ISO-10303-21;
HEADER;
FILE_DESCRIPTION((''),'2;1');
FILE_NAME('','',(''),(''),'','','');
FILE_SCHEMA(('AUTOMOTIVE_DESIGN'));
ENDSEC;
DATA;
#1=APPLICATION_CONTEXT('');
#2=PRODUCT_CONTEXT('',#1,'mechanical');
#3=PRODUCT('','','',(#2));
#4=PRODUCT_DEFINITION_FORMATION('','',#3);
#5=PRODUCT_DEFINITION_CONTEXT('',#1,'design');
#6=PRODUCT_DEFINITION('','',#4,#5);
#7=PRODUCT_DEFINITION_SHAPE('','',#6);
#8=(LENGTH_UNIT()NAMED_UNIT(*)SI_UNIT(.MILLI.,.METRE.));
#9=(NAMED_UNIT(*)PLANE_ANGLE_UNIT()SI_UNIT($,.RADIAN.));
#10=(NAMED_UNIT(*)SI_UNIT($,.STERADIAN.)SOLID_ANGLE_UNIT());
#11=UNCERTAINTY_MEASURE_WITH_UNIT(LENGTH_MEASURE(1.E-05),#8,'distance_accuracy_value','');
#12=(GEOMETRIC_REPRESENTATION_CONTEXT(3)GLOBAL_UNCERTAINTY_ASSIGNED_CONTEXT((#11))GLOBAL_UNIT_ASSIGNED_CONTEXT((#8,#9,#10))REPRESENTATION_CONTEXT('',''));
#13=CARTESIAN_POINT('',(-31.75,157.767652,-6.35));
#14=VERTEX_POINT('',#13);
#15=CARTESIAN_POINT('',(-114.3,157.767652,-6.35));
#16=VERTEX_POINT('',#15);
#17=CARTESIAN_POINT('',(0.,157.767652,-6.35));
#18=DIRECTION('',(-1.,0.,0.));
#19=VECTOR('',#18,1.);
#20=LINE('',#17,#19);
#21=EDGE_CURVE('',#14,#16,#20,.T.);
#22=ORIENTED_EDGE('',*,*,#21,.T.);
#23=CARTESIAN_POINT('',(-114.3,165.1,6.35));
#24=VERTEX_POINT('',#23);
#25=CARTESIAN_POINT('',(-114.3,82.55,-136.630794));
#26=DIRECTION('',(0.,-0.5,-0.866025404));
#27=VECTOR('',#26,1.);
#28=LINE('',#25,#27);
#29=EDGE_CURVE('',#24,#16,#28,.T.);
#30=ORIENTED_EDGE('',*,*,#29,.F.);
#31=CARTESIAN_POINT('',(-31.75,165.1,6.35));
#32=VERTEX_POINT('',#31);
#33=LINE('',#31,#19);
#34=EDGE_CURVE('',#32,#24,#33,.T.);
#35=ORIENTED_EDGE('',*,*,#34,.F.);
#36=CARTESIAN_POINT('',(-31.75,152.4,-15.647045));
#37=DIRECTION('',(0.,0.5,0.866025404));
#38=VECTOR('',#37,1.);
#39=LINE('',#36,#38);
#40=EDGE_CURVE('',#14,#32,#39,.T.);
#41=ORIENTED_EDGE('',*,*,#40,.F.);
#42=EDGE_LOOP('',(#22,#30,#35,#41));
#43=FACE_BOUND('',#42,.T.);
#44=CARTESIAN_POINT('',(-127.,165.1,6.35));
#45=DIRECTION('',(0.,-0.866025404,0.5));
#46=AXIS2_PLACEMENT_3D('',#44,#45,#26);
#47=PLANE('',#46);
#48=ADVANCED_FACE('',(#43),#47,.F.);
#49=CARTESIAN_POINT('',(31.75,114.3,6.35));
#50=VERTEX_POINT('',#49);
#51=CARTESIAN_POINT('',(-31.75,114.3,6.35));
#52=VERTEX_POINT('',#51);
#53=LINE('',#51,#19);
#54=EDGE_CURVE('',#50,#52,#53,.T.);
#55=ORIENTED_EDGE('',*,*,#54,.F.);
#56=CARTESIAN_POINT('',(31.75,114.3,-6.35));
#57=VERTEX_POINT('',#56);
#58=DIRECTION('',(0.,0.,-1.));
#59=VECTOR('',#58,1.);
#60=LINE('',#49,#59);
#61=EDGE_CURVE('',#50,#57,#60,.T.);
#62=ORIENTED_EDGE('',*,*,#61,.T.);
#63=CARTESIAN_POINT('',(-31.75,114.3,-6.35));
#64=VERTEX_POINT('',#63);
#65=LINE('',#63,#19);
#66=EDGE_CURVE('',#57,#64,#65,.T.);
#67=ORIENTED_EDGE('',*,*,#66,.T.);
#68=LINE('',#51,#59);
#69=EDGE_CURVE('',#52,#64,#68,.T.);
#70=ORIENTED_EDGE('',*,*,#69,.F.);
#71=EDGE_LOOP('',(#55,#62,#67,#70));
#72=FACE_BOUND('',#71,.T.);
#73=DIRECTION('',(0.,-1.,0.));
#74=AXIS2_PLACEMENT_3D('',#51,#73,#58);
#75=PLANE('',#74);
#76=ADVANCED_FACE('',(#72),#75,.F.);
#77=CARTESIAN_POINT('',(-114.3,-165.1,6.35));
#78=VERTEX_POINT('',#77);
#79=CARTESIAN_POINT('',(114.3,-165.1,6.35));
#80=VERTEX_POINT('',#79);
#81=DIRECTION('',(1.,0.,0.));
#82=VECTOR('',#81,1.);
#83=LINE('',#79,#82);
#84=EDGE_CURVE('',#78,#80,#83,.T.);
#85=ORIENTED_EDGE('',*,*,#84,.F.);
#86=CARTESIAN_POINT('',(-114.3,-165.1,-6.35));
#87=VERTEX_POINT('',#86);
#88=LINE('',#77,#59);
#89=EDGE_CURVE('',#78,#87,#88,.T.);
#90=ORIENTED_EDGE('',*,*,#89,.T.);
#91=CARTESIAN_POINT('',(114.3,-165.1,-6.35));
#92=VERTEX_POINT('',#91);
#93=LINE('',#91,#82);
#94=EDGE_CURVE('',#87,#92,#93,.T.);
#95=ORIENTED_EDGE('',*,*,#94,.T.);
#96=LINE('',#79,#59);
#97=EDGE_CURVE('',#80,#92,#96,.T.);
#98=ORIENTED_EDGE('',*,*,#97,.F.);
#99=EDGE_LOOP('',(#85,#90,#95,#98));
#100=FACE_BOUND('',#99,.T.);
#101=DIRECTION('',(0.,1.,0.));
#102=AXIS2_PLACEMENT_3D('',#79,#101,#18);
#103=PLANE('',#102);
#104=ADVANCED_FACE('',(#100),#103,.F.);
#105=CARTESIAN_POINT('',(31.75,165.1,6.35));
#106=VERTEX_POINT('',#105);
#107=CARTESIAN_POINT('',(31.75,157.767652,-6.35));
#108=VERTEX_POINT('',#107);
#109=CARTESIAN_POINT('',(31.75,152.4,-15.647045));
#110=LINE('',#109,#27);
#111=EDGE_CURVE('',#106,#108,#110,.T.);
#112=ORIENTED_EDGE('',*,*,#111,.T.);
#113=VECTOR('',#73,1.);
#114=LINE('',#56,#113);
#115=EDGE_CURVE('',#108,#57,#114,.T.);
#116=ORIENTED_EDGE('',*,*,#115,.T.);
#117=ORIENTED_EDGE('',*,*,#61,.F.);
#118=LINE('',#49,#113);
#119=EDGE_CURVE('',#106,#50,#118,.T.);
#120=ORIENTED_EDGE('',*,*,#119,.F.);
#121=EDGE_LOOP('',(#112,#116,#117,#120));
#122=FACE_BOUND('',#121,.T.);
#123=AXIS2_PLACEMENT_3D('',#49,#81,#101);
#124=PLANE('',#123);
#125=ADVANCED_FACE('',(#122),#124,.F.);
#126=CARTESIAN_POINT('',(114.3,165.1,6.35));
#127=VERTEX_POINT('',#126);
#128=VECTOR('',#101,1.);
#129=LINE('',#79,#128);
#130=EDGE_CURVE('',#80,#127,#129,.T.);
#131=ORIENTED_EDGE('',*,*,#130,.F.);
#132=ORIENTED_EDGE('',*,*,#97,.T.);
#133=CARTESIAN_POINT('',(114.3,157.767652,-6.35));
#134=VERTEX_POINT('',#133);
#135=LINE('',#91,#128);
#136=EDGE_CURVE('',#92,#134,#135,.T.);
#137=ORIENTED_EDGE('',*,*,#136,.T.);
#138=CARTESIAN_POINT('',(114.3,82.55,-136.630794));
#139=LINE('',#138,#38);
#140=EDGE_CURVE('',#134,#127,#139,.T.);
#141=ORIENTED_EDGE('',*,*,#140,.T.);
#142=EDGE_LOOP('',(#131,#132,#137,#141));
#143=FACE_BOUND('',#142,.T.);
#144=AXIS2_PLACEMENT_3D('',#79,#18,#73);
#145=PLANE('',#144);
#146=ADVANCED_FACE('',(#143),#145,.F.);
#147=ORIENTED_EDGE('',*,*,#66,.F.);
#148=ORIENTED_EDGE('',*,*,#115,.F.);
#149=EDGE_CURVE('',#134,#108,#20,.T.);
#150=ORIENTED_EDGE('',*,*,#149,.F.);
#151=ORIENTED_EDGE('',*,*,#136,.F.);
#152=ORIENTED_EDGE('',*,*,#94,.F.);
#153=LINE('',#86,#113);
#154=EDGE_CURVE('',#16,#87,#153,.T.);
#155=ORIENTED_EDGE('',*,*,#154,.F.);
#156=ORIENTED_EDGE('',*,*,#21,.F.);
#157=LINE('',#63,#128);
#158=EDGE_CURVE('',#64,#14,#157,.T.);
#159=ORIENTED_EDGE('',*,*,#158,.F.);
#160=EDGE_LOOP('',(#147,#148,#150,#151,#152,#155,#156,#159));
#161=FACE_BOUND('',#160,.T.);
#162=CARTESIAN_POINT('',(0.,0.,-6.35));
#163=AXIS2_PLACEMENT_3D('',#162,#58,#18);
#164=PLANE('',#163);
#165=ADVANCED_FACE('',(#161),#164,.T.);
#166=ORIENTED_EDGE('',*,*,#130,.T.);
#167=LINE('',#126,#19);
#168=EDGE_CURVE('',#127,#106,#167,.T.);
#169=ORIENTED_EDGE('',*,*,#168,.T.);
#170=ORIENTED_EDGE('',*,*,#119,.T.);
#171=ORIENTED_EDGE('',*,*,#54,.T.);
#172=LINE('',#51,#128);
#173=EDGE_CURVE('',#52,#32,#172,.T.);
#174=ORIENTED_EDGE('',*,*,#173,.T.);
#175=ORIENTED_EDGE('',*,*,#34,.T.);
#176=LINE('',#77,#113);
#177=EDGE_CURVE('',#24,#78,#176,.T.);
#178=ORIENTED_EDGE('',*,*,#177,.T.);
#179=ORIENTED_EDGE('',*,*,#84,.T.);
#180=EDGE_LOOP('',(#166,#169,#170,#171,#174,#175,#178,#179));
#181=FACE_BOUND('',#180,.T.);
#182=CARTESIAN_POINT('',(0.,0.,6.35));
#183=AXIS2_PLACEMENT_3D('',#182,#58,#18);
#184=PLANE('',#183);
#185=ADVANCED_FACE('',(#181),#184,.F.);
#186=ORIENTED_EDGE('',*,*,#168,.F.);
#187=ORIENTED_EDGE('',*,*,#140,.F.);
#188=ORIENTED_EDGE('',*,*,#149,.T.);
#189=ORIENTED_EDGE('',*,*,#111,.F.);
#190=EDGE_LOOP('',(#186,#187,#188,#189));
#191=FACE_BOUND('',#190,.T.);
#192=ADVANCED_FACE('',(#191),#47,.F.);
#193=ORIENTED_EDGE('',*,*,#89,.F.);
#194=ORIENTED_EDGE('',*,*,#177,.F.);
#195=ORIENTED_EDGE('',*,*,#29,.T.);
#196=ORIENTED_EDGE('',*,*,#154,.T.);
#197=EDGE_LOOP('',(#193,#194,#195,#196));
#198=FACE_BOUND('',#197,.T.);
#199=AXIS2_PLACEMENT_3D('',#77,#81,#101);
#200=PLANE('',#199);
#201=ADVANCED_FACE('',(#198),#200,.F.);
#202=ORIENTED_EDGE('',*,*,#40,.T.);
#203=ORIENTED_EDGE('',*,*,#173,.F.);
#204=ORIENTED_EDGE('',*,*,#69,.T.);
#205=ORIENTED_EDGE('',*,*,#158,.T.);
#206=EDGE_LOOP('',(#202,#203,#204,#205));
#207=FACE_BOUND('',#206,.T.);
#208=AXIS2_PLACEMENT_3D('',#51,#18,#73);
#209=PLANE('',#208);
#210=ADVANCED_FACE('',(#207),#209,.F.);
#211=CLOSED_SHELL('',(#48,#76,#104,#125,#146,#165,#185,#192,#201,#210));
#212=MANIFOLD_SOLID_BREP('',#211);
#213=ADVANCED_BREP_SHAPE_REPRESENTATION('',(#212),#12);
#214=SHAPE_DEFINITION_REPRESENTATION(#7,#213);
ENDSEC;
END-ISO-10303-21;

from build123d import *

# Parameters (mm, degrees)
BOSS_EXTRUDE1_DEPTH = 6.35
CUT_EXTRUDE1_DEPTH  = 127


with BuildPart() as part:
    # Sketch1 → Boss-Extrude1 (new, symmetric)
    with BuildSketch(Plane.XY):
        Polygon((114.3, -165.1), (-114.3, -165.1), (-114.3, 165.1), (-31.75, 165.1), (-31.75, 114.3), (31.75, 114.3), (31.75, 165.1), (114.3, 165.1), align=None)
    extrude(amount=BOSS_EXTRUDE1_DEPTH, both=True)

    # Sketch2 → Cut-Extrude1 (cut, symmetric)
    with BuildSketch(Plane(origin=(0, 0, 0), x_dir=(0, 0, -1), z_dir=(1, 0, 0))):
        Polygon((-6.35, 165.1), (6.35, 165.1), (6.35, 157.767651581), align=None)
    extrude(amount=CUT_EXTRUDE1_DEPTH, both=True, mode=Mode.SUBTRACT)


solid = part.part
